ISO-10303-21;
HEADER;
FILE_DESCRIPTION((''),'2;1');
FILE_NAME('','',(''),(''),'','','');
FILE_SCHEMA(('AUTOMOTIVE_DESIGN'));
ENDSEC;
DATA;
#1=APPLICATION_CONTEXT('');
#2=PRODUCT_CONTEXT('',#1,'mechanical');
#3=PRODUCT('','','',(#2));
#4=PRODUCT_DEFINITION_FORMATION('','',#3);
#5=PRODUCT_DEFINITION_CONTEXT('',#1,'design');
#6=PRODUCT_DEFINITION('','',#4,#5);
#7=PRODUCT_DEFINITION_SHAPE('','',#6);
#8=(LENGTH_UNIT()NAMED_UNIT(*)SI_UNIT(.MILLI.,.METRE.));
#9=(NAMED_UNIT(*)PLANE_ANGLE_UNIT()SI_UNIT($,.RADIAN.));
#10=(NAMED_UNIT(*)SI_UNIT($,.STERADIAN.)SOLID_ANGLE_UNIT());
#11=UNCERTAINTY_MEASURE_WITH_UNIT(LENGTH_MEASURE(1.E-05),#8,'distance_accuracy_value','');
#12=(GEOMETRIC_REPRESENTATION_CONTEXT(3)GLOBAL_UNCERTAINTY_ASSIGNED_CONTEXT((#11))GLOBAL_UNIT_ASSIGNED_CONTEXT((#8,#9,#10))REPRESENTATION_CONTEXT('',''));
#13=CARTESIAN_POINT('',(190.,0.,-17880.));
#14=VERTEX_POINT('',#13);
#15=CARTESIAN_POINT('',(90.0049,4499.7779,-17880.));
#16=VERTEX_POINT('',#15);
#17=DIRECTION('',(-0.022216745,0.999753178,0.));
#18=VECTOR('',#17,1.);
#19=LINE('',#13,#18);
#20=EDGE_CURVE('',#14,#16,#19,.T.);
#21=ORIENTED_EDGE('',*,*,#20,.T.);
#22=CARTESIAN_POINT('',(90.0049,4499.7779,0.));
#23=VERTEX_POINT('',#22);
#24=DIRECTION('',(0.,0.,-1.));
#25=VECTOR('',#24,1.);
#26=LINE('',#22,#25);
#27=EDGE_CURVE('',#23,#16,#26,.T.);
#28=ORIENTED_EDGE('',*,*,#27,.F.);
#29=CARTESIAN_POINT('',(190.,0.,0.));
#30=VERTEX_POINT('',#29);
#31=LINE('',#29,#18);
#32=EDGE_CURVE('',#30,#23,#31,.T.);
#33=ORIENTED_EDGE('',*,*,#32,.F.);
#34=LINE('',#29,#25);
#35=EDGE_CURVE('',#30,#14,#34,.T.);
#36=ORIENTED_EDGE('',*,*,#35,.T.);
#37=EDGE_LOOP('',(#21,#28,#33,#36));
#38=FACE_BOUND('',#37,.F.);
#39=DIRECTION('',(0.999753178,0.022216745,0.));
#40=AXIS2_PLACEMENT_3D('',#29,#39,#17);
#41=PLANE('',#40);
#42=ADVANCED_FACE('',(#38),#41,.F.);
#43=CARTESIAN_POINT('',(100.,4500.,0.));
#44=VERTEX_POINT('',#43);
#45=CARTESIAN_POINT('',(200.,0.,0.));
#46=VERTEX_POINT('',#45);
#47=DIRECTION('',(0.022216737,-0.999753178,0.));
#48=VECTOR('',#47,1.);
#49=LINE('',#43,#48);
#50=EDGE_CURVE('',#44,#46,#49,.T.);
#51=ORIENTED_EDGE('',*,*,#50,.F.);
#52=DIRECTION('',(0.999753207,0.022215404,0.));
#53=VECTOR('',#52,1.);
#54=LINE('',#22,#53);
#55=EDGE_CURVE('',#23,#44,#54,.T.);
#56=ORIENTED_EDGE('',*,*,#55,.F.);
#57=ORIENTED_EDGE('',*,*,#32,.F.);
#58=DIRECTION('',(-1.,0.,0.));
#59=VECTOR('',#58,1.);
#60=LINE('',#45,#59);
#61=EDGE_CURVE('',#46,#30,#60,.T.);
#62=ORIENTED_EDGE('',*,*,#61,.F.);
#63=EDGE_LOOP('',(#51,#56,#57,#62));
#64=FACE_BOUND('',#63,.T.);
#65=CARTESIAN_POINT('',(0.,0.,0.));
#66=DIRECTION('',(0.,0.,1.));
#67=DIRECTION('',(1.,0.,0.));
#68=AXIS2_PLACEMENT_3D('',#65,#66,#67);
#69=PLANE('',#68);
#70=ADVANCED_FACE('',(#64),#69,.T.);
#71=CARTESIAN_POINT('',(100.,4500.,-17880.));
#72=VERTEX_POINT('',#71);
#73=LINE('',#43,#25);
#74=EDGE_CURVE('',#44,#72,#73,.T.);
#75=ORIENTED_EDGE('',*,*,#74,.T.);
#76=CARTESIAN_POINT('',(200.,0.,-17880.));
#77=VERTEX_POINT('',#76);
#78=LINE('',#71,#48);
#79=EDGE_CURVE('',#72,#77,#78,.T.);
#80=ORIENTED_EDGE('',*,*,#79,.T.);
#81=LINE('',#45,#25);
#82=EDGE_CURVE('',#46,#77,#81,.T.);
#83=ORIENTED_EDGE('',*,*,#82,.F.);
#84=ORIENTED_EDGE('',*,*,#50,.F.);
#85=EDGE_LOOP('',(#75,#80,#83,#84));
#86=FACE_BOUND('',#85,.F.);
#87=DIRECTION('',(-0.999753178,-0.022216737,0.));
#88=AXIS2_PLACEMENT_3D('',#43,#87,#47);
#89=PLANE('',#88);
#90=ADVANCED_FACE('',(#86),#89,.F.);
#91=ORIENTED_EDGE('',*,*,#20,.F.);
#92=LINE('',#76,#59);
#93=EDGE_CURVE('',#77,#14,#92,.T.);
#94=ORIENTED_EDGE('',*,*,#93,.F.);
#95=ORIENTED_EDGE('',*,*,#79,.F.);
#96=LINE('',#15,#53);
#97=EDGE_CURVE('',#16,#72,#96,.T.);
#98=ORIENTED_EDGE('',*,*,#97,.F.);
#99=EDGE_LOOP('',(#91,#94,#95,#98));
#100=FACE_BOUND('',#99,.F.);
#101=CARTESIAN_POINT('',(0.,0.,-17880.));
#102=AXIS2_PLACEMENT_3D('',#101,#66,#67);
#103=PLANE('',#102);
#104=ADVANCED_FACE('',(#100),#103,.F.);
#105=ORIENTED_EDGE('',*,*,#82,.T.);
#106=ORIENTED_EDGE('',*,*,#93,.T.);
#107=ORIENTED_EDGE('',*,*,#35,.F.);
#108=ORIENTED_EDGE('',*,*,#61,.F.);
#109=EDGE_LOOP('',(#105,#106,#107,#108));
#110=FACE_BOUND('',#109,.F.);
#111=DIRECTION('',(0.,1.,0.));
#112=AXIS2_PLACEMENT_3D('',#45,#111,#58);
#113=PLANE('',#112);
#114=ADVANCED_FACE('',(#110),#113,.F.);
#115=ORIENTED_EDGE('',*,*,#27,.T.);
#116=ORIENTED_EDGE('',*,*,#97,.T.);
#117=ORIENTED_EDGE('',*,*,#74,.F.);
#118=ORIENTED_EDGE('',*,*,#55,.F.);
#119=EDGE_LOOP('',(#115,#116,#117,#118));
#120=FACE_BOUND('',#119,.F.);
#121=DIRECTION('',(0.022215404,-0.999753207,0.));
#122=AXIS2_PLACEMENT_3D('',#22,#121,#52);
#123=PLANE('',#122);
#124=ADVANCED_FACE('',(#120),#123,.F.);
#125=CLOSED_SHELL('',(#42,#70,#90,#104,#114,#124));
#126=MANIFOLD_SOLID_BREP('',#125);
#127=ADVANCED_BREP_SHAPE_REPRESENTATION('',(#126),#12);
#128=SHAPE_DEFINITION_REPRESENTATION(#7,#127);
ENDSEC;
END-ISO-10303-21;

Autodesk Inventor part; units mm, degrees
ref_plane "YZ Plane" through (0, 0, 0) normal (1, 0, 0) x (0, 1, 0)
ref_plane "XZ Plane" through (0, 0, 0) normal (0, 1, 0) x (-1, 0, 0)
ref_plane "XY Plane" through (0, 0, 0) normal (0, 0, 1) x (1, 0, 0)
sketch "Sketch1" plane through (0, 0, 0) normal (0, 0, 1) x (1, 0, 0)
  line L0 (200, 0) -> (190, 0)
  line L1 (190, 0) -> (90.0049, 4499.7779)
  line L2 (90.0049, 4499.7779) -> (100, 4500)
  line L3 (100, 4500) -> (200, 0)
  line L4 (0, 4500) -> (0, 0)
  dimension "d0" = 10
  dimension "d2" = 4500
  dimension "d5" = 100
  dimension "d17" = 200
extrude "Extrusion1" add sketch "Sketch1" against normal blind 17880
sketch "Sketch2" plane through (0, 0, 0) normal (1, 0, 0) x (0, 1, 0)
  point P0 (0, 0)
sketch "Sketch3" plane through (200, 0, 0) normal (0.9998, 0.0222, 0) x (0, 0, -1)
  line L0 (0, 0) -> (0, 4501.111) projected
  line L1 (0, 0) -> (17880, 0) projected
  line L2 (17880, 4501.111) -> (17880, 0) projected
  line L3 (0, 4501.111) -> (17880, 4501.111)
  line L4 (0, 1500) -> (18000, 1500)
  line L5 (0, 3001.111) -> (18000, 3001.111)
  line L6 (1500, 3001.111) -> (1500, 1500)
  line L7 (0, 4501.111) -> (17880, 4501.111) projected
  line L8 (2980, 4501.111) -> (2980, 3001.111)
  line L9 (2980, 1500) -> (2980, 0)
  line L10 (5960, 4501.111) -> (5960, 3001.111)
  line L11 (4480, 3001.111) -> (4480, 1500)
  line L12 (5960, 1500) -> (5960, 0)
  line L13 (8940, 4501.111) -> (8940, 3001.111)
  line L14 (7460, 3001.111) -> (7460, 1500)
  line L15 (8940, 1500) -> (8940, 0)
  line L16 (11920, 4501.111) -> (11920, 3001.111)
  line L17 (10440, 3001.111) -> (10440, 1500)
  line L18 (11920, 1500) -> (11920, 0)
  line L19 (14900, 4501.111) -> (14900, 3001.111)
  line L20 (13420, 3001.111) -> (13420, 1500)
  line L21 (14900, 1500) -> (14900, 0)
  line L22 (17880, 4501.111) -> (17880, 3001.111)
  line L23 (16400, 3001.111) -> (16400, 1500)
  line L24 (17880, 1500) -> (17880, 0)
  point P0 (0, 4.4433)
  dimension "d6" = 2980
  dimension "d7" = 1500
  dimension "d8" = 1500
  dimension "d9" = 1500
  dimension "d12" = 2980
equation "\"d12\" = d6"
properties part number "GBK dummy wall 1"
